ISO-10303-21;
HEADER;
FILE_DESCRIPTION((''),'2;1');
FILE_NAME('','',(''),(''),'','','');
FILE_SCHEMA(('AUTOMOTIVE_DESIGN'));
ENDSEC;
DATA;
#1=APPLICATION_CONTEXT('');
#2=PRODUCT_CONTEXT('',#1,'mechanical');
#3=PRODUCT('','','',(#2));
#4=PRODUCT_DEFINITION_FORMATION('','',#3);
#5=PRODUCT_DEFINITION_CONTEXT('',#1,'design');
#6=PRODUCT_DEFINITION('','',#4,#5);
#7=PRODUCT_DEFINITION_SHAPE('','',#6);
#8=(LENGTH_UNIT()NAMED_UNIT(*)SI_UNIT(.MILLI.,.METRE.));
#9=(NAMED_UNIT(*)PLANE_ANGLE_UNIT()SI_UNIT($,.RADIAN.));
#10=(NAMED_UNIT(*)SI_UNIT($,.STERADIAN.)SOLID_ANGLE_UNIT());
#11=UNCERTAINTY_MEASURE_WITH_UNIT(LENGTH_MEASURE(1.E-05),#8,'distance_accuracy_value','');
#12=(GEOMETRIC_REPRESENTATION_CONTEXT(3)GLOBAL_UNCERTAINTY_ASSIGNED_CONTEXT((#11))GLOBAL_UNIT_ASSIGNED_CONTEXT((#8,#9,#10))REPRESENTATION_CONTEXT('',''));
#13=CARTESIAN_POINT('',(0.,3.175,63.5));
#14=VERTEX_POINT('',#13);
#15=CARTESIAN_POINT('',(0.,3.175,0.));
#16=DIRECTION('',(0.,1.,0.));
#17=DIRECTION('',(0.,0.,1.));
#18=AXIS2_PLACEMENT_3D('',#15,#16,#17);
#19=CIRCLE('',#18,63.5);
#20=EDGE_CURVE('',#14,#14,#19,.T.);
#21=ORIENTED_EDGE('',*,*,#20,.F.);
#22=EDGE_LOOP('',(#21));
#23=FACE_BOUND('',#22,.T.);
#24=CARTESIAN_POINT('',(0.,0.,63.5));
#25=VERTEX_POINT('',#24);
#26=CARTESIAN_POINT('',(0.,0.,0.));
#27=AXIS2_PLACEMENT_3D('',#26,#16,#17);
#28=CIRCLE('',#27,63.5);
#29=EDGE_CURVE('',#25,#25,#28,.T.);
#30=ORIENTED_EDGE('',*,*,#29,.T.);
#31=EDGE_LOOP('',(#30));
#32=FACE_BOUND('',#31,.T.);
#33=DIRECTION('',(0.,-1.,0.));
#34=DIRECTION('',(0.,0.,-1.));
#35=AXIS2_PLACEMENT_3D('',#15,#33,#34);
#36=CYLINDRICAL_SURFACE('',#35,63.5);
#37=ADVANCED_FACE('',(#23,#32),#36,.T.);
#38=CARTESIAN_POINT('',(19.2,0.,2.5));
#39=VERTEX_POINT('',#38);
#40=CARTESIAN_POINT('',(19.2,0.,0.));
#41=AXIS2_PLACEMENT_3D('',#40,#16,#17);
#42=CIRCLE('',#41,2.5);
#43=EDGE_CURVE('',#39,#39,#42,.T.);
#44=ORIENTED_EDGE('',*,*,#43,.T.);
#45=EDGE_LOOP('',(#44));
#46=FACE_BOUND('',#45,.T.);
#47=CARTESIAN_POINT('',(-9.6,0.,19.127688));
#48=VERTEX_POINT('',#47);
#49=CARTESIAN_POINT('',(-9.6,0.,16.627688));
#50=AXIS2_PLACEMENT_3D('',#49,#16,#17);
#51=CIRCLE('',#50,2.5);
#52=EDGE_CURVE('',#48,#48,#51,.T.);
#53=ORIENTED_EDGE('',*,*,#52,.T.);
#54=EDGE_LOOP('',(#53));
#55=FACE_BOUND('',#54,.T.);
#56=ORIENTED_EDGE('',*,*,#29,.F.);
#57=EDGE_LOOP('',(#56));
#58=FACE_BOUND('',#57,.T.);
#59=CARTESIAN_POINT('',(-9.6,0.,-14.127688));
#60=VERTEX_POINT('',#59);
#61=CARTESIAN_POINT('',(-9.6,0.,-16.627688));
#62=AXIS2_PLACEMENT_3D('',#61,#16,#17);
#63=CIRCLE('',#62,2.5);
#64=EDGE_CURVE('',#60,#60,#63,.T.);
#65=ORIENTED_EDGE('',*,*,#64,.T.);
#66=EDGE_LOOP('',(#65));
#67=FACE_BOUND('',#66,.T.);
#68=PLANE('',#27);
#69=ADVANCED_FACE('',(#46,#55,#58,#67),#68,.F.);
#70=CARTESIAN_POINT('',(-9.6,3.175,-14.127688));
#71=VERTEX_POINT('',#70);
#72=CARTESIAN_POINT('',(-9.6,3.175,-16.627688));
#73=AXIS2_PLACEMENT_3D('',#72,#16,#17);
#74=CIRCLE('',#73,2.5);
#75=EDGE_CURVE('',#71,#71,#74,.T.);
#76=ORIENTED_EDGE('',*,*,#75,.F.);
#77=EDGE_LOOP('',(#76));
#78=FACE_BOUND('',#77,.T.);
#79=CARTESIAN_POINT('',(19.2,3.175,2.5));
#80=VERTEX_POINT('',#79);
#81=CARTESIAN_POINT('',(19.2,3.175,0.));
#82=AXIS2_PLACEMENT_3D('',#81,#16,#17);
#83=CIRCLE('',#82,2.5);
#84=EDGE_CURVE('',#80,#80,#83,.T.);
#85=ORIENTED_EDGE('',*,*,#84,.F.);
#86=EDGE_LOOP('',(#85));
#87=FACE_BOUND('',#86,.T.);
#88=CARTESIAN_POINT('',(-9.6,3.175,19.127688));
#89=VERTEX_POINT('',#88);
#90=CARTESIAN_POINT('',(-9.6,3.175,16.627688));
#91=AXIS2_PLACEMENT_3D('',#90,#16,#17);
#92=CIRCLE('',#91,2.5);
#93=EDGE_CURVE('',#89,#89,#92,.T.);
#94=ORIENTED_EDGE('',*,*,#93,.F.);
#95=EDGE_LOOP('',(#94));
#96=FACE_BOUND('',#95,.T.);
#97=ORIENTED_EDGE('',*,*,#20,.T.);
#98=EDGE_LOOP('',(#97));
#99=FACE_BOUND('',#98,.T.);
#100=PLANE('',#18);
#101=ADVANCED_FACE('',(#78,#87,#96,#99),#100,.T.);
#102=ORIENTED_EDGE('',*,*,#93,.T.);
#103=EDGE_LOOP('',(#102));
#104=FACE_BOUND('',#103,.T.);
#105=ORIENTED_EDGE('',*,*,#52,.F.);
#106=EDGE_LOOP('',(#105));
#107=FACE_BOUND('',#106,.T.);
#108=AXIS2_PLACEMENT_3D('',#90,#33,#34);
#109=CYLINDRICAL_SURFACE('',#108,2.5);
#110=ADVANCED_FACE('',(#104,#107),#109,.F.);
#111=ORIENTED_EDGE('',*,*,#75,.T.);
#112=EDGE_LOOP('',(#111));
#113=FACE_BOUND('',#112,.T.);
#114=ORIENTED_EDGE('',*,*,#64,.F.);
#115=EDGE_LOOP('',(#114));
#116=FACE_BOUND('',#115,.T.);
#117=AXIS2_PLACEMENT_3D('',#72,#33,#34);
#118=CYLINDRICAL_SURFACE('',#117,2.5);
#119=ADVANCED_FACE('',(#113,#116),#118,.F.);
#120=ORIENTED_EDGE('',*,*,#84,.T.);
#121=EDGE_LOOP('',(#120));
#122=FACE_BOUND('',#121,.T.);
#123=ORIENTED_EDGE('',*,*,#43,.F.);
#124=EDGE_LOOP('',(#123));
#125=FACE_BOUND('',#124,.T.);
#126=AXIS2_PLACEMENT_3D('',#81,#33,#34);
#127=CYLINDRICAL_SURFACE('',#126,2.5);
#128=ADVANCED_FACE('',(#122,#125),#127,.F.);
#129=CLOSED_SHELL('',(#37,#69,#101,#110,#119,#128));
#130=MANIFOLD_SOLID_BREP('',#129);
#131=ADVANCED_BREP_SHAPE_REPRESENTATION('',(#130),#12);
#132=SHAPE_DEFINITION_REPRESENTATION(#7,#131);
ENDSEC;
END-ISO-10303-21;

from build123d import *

# Parameters (mm, degrees)
SKETCH1_R           = 63.5
SKETCH1_R_2         = 2.5
BOSS_EXTRUDE1_DEPTH = 3.175


with BuildPart() as part:
    # Sketch1 → Boss-Extrude1 (new body)
    with BuildSketch(Plane(origin=(0, 0, 0), x_dir=(1, 0, 0), z_dir=(0, 1, 0))):
        Circle(SKETCH1_R)
        with Locations((19.2, 0)):
            Circle(SKETCH1_R_2, mode=Mode.SUBTRACT)
        with Locations((-9.6, 16.627687753)):
            Circle(SKETCH1_R_2, mode=Mode.SUBTRACT)
        with Locations((-9.6, -16.627687753)):
            Circle(SKETCH1_R_2, mode=Mode.SUBTRACT)
    extrude(amount=BOSS_EXTRUDE1_DEPTH)


solid = part.part
